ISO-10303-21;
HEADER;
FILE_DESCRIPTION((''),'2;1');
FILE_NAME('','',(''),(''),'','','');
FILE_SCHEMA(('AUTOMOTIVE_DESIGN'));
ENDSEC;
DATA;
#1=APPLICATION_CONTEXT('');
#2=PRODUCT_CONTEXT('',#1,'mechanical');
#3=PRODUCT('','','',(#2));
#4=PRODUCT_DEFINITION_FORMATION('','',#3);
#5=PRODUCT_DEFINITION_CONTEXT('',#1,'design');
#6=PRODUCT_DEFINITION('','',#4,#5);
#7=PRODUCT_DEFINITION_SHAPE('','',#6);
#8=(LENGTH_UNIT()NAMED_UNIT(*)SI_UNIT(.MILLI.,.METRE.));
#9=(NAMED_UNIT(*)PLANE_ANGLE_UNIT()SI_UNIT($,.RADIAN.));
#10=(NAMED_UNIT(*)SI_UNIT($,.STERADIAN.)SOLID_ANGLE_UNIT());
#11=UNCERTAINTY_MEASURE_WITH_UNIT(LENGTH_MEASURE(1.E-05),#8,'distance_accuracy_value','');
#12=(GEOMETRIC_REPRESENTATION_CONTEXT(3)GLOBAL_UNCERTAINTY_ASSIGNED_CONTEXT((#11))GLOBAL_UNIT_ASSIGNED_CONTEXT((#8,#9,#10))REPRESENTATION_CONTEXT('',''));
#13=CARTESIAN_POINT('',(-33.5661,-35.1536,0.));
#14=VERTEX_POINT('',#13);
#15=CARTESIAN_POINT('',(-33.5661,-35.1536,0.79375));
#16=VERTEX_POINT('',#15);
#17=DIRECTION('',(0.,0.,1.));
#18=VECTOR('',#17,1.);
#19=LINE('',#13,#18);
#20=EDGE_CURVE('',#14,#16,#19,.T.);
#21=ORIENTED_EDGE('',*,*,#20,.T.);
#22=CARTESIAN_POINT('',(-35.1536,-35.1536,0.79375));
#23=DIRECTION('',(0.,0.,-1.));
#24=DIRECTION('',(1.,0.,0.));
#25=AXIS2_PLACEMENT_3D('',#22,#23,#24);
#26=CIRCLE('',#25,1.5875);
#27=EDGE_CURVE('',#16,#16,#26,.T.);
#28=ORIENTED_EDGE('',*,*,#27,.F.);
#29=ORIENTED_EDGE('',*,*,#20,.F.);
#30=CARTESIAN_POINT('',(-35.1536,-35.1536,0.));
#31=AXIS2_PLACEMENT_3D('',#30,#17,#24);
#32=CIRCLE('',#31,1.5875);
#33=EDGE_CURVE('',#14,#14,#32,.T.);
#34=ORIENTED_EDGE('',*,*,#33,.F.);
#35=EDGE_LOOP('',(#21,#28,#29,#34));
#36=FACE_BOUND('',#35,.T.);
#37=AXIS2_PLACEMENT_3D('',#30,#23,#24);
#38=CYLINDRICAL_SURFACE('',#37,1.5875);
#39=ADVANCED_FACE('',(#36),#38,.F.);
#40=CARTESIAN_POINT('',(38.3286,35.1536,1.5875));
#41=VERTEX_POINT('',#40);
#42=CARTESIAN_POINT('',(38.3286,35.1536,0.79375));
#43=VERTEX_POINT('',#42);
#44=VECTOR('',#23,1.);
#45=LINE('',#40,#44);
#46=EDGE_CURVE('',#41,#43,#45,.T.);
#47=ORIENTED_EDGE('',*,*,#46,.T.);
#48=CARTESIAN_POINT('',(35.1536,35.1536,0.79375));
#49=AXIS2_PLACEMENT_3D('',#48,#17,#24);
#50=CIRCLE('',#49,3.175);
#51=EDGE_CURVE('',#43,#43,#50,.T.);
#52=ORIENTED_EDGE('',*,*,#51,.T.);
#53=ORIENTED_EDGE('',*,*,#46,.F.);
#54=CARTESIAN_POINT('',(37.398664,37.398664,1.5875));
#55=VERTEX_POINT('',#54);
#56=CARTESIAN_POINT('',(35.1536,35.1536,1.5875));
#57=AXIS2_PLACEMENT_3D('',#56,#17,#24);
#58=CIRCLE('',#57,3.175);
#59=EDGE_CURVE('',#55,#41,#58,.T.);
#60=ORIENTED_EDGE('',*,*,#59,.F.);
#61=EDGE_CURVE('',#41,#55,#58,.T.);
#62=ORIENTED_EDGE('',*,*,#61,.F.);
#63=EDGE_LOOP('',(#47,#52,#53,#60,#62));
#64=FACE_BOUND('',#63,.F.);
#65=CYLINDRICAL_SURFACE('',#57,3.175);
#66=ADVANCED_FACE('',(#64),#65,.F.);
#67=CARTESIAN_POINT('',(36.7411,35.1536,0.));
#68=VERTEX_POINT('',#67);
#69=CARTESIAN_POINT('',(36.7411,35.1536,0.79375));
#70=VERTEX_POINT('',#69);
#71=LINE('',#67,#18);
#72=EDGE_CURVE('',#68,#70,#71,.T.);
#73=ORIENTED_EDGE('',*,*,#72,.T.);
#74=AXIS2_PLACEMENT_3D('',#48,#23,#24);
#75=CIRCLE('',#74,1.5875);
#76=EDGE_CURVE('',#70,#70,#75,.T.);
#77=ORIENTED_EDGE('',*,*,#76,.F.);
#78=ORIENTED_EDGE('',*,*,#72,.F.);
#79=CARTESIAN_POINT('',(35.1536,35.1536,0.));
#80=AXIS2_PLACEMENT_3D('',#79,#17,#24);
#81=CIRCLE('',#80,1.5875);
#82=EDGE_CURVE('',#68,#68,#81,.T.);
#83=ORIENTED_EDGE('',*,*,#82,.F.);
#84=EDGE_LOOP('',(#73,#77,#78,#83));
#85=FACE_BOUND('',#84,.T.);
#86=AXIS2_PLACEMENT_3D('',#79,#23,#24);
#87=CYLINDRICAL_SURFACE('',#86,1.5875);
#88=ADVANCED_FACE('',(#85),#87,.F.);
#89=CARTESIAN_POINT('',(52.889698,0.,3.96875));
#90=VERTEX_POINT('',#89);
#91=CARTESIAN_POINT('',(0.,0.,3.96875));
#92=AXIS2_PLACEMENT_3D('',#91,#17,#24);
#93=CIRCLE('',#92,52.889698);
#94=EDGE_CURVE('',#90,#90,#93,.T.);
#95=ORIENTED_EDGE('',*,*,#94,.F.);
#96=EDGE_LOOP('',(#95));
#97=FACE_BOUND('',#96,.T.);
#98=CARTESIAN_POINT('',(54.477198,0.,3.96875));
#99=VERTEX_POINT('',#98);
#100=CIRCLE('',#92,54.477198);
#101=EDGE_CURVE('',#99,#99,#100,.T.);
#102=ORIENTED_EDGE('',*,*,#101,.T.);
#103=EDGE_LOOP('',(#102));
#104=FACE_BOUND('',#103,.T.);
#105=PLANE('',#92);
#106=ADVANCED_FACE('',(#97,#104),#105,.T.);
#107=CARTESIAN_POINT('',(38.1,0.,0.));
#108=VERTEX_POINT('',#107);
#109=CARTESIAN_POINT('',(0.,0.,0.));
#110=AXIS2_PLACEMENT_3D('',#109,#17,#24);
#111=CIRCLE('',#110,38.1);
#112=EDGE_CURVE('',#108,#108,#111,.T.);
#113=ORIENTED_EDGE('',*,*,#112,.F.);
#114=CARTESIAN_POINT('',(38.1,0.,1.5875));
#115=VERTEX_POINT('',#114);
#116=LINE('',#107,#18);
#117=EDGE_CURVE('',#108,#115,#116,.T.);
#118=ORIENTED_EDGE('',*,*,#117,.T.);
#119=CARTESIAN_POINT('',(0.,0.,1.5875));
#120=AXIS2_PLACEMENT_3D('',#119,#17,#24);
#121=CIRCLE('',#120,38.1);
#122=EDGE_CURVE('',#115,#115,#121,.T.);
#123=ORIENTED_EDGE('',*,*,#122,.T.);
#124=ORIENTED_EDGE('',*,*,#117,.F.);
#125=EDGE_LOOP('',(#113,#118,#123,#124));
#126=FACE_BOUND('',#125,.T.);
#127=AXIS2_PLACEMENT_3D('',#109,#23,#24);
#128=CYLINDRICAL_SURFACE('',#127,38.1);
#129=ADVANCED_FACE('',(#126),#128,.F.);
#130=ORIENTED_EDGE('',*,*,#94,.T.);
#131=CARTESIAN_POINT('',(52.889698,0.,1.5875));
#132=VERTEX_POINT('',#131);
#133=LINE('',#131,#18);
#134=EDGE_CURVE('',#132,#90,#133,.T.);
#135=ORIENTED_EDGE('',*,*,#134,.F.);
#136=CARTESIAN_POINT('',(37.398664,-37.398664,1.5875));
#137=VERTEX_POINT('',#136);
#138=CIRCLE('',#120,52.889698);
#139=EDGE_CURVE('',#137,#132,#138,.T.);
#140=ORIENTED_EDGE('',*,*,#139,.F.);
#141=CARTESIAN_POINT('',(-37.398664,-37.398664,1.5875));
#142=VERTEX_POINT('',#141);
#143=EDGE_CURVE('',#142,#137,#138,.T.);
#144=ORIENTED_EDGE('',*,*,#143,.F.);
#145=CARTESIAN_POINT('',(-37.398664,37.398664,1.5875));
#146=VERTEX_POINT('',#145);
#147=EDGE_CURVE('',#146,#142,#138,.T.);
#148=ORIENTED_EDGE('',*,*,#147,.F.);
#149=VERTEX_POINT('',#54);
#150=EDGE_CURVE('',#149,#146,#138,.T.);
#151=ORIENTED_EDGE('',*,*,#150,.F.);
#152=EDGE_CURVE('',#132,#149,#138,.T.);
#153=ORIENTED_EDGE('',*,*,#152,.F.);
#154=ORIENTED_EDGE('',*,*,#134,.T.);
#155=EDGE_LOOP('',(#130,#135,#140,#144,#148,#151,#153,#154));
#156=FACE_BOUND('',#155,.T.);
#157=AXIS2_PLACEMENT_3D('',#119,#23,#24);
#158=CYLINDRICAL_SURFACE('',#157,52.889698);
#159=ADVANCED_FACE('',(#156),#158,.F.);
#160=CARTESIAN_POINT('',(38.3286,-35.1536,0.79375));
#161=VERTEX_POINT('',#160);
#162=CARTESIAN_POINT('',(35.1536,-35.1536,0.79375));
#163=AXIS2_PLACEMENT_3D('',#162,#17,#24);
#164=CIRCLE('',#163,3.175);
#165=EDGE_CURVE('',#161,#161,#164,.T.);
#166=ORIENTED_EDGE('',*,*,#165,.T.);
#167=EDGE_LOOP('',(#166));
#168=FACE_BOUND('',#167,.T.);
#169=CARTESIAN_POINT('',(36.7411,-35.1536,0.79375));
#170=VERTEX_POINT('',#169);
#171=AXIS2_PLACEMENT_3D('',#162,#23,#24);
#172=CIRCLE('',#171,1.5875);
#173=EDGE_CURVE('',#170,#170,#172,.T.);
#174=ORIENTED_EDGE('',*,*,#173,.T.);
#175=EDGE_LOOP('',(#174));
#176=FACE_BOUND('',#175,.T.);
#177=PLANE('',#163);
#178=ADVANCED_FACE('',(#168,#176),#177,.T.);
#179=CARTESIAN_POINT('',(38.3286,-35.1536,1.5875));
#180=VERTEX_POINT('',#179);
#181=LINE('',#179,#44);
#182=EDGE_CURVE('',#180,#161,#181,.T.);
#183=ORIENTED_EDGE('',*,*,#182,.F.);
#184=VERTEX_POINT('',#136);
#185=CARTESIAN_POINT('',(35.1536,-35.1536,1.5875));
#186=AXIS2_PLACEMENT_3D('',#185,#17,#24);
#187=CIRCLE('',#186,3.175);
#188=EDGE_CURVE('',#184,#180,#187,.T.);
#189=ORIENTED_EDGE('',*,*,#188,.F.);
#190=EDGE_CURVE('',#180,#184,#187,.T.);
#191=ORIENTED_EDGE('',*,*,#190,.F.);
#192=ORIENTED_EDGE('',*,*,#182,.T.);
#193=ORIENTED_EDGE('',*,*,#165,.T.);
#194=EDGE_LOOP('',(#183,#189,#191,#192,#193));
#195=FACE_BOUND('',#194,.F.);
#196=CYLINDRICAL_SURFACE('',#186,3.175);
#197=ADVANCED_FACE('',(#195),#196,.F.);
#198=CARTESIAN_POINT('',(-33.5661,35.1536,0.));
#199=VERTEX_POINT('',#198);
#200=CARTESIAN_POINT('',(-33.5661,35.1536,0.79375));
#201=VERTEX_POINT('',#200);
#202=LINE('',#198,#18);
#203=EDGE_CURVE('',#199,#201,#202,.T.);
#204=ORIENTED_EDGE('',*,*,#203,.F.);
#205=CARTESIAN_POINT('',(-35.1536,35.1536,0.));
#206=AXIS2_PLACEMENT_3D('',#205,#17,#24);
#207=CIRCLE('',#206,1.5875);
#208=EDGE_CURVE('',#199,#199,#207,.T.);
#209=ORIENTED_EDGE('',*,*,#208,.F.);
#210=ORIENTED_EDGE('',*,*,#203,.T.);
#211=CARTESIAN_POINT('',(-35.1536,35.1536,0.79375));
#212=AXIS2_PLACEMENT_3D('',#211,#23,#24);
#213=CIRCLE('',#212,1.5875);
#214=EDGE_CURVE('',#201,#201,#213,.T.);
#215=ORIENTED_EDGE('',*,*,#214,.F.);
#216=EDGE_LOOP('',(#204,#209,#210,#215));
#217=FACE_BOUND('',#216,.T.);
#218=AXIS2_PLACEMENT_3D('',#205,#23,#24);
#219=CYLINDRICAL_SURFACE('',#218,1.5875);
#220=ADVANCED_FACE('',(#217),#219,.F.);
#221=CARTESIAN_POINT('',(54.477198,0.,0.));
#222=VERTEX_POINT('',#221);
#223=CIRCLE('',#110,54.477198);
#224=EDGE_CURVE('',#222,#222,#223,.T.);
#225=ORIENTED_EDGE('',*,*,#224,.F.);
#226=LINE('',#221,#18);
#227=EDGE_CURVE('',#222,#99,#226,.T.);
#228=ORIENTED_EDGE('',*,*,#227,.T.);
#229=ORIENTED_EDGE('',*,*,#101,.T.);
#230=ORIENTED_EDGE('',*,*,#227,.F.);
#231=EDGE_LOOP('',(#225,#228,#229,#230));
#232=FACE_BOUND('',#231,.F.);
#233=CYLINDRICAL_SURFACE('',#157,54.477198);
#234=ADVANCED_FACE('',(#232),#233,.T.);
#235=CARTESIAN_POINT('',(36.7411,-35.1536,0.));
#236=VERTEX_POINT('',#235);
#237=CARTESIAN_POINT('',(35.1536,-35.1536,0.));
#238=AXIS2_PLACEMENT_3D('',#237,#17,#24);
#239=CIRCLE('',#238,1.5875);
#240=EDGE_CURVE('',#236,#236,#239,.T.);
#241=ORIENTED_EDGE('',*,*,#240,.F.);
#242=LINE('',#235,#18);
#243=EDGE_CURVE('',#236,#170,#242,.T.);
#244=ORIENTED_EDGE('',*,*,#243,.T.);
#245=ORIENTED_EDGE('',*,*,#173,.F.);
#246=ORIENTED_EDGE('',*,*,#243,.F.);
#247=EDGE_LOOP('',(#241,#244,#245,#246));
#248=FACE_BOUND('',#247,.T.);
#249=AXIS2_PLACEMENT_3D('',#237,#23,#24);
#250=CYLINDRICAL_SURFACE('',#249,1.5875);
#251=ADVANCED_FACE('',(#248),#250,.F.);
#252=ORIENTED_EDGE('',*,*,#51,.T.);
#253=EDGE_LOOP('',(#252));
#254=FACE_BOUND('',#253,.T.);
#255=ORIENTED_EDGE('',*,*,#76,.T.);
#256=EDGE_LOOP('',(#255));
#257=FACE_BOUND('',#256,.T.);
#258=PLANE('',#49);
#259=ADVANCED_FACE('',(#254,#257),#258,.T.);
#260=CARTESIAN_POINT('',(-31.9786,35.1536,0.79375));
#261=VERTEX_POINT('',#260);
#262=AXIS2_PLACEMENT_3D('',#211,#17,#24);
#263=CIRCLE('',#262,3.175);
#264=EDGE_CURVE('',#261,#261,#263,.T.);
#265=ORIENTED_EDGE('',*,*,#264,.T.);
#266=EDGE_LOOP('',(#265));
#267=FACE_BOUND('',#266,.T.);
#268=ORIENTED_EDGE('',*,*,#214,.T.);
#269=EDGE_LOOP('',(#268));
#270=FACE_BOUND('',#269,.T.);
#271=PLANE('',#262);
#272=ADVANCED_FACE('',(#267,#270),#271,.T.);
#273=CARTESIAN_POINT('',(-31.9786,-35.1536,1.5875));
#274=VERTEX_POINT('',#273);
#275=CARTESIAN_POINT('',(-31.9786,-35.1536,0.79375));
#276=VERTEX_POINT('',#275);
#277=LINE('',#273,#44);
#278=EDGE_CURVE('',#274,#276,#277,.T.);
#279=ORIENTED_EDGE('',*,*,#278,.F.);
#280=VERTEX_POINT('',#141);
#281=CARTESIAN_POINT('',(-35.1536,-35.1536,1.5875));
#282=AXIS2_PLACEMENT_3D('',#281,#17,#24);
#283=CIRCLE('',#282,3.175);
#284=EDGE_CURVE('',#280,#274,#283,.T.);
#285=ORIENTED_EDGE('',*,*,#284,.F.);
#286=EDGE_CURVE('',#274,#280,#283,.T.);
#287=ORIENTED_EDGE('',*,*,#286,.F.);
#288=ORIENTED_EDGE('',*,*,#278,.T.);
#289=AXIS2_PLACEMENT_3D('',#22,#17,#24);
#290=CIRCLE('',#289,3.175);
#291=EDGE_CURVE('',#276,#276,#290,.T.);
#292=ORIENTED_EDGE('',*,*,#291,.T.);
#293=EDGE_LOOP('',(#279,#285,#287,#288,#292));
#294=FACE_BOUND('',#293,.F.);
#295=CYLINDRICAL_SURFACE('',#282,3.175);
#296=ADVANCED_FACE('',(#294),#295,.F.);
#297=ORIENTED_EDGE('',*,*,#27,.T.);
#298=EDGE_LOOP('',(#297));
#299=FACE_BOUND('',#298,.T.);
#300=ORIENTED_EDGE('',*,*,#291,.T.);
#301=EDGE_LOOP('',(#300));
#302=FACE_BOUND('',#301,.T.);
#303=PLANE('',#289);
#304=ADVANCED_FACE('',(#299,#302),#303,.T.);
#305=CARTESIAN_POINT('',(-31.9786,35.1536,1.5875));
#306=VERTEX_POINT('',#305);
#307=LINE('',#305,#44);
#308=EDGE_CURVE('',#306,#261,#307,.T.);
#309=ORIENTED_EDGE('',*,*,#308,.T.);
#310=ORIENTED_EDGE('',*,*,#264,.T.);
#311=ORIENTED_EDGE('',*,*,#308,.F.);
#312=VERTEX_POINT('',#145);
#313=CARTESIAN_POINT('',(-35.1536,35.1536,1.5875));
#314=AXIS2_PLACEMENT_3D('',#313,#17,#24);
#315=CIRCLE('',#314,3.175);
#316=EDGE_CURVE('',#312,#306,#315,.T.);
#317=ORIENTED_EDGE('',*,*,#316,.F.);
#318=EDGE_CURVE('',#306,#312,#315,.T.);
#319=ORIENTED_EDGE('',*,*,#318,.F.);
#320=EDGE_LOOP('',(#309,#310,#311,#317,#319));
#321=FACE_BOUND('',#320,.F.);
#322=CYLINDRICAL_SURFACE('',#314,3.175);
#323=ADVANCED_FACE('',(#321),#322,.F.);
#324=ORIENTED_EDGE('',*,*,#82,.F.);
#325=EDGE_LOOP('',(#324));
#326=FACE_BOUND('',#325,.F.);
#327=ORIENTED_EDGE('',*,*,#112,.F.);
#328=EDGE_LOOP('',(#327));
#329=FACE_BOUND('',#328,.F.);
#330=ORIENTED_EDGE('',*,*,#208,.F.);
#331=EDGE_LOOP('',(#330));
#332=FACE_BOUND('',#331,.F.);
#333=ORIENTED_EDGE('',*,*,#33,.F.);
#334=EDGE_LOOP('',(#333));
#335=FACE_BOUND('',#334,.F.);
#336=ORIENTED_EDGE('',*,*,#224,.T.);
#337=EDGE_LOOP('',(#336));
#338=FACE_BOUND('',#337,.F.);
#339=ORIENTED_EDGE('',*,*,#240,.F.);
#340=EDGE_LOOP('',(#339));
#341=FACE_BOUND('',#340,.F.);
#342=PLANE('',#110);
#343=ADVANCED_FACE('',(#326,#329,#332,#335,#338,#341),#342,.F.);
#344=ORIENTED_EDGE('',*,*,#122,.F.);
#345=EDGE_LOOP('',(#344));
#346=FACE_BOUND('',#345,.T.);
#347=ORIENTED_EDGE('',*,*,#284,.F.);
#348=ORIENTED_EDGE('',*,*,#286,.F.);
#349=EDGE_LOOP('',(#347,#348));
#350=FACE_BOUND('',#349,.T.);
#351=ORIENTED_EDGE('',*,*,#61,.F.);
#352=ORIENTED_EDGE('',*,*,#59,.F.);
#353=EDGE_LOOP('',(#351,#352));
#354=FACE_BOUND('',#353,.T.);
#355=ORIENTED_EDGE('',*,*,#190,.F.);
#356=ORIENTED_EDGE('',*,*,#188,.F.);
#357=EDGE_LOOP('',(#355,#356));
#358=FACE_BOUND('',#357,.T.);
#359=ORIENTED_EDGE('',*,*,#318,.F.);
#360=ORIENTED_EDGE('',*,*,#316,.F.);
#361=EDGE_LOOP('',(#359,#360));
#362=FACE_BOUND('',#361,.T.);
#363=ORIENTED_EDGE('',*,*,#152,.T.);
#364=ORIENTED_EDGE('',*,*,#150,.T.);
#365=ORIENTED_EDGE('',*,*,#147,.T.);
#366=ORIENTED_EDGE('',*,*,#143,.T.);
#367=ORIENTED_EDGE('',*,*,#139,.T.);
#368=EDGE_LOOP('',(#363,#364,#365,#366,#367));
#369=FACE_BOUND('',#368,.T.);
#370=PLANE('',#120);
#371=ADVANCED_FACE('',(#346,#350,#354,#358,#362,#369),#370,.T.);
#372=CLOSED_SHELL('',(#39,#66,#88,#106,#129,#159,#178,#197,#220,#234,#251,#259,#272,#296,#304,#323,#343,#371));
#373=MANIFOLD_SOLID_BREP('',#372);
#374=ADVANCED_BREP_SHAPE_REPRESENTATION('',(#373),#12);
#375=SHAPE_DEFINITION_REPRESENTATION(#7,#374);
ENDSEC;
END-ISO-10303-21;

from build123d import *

# Parameters (mm, degrees)
F0_R     = 54.477198
F0_R_2   = 1.5875
F0_R_3   = 38.1
F1_DEPTH = 1.5875
F2_R     = 54.477198
F2_R_2   = 52.889698
F3_DEPTH = 2.38125
F4_R     = 3.175
F5_DEPTH = 0.79375


with BuildPart() as f1:
    # F0 (on Top) → F1 (new body)
    with BuildSketch(Plane.XY):
        Circle(F0_R)
        with Locations((-35.1536, -35.1536)):
            Circle(F0_R_2, mode=Mode.SUBTRACT)
        with Locations((35.1536, -35.1536)):
            Circle(F0_R_2, mode=Mode.SUBTRACT)
        with Locations((-35.1536, 35.1536)):
            Circle(F0_R_2, mode=Mode.SUBTRACT)
        Circle(F0_R_3, mode=Mode.SUBTRACT)
        with Locations((35.1536, 35.1536)):
            Circle(F0_R_2, mode=Mode.SUBTRACT)
    extrude(amount=F1_DEPTH)

    # F2 (on face) → F3 (join)
    with BuildSketch(Plane.XY.offset(1.5875)):
        Circle(F2_R)
        Circle(F2_R_2, mode=Mode.SUBTRACT)
    extrude(amount=F3_DEPTH)

    # F4 (on face) → F5 (cut)
    with BuildSketch(Plane.XY.offset(1.5875)):
        with Locations((-35.1536, 35.1536)):
            Circle(F4_R)
        with Locations((35.1536, 35.1536)):
            Circle(F4_R)
        with Locations((35.1536, -35.1536)):
            Circle(F4_R)
        with Locations((-35.1536, -35.1536)):
            Circle(F4_R)
    extrude(amount=-F5_DEPTH, mode=Mode.SUBTRACT)


solid = f1.part
